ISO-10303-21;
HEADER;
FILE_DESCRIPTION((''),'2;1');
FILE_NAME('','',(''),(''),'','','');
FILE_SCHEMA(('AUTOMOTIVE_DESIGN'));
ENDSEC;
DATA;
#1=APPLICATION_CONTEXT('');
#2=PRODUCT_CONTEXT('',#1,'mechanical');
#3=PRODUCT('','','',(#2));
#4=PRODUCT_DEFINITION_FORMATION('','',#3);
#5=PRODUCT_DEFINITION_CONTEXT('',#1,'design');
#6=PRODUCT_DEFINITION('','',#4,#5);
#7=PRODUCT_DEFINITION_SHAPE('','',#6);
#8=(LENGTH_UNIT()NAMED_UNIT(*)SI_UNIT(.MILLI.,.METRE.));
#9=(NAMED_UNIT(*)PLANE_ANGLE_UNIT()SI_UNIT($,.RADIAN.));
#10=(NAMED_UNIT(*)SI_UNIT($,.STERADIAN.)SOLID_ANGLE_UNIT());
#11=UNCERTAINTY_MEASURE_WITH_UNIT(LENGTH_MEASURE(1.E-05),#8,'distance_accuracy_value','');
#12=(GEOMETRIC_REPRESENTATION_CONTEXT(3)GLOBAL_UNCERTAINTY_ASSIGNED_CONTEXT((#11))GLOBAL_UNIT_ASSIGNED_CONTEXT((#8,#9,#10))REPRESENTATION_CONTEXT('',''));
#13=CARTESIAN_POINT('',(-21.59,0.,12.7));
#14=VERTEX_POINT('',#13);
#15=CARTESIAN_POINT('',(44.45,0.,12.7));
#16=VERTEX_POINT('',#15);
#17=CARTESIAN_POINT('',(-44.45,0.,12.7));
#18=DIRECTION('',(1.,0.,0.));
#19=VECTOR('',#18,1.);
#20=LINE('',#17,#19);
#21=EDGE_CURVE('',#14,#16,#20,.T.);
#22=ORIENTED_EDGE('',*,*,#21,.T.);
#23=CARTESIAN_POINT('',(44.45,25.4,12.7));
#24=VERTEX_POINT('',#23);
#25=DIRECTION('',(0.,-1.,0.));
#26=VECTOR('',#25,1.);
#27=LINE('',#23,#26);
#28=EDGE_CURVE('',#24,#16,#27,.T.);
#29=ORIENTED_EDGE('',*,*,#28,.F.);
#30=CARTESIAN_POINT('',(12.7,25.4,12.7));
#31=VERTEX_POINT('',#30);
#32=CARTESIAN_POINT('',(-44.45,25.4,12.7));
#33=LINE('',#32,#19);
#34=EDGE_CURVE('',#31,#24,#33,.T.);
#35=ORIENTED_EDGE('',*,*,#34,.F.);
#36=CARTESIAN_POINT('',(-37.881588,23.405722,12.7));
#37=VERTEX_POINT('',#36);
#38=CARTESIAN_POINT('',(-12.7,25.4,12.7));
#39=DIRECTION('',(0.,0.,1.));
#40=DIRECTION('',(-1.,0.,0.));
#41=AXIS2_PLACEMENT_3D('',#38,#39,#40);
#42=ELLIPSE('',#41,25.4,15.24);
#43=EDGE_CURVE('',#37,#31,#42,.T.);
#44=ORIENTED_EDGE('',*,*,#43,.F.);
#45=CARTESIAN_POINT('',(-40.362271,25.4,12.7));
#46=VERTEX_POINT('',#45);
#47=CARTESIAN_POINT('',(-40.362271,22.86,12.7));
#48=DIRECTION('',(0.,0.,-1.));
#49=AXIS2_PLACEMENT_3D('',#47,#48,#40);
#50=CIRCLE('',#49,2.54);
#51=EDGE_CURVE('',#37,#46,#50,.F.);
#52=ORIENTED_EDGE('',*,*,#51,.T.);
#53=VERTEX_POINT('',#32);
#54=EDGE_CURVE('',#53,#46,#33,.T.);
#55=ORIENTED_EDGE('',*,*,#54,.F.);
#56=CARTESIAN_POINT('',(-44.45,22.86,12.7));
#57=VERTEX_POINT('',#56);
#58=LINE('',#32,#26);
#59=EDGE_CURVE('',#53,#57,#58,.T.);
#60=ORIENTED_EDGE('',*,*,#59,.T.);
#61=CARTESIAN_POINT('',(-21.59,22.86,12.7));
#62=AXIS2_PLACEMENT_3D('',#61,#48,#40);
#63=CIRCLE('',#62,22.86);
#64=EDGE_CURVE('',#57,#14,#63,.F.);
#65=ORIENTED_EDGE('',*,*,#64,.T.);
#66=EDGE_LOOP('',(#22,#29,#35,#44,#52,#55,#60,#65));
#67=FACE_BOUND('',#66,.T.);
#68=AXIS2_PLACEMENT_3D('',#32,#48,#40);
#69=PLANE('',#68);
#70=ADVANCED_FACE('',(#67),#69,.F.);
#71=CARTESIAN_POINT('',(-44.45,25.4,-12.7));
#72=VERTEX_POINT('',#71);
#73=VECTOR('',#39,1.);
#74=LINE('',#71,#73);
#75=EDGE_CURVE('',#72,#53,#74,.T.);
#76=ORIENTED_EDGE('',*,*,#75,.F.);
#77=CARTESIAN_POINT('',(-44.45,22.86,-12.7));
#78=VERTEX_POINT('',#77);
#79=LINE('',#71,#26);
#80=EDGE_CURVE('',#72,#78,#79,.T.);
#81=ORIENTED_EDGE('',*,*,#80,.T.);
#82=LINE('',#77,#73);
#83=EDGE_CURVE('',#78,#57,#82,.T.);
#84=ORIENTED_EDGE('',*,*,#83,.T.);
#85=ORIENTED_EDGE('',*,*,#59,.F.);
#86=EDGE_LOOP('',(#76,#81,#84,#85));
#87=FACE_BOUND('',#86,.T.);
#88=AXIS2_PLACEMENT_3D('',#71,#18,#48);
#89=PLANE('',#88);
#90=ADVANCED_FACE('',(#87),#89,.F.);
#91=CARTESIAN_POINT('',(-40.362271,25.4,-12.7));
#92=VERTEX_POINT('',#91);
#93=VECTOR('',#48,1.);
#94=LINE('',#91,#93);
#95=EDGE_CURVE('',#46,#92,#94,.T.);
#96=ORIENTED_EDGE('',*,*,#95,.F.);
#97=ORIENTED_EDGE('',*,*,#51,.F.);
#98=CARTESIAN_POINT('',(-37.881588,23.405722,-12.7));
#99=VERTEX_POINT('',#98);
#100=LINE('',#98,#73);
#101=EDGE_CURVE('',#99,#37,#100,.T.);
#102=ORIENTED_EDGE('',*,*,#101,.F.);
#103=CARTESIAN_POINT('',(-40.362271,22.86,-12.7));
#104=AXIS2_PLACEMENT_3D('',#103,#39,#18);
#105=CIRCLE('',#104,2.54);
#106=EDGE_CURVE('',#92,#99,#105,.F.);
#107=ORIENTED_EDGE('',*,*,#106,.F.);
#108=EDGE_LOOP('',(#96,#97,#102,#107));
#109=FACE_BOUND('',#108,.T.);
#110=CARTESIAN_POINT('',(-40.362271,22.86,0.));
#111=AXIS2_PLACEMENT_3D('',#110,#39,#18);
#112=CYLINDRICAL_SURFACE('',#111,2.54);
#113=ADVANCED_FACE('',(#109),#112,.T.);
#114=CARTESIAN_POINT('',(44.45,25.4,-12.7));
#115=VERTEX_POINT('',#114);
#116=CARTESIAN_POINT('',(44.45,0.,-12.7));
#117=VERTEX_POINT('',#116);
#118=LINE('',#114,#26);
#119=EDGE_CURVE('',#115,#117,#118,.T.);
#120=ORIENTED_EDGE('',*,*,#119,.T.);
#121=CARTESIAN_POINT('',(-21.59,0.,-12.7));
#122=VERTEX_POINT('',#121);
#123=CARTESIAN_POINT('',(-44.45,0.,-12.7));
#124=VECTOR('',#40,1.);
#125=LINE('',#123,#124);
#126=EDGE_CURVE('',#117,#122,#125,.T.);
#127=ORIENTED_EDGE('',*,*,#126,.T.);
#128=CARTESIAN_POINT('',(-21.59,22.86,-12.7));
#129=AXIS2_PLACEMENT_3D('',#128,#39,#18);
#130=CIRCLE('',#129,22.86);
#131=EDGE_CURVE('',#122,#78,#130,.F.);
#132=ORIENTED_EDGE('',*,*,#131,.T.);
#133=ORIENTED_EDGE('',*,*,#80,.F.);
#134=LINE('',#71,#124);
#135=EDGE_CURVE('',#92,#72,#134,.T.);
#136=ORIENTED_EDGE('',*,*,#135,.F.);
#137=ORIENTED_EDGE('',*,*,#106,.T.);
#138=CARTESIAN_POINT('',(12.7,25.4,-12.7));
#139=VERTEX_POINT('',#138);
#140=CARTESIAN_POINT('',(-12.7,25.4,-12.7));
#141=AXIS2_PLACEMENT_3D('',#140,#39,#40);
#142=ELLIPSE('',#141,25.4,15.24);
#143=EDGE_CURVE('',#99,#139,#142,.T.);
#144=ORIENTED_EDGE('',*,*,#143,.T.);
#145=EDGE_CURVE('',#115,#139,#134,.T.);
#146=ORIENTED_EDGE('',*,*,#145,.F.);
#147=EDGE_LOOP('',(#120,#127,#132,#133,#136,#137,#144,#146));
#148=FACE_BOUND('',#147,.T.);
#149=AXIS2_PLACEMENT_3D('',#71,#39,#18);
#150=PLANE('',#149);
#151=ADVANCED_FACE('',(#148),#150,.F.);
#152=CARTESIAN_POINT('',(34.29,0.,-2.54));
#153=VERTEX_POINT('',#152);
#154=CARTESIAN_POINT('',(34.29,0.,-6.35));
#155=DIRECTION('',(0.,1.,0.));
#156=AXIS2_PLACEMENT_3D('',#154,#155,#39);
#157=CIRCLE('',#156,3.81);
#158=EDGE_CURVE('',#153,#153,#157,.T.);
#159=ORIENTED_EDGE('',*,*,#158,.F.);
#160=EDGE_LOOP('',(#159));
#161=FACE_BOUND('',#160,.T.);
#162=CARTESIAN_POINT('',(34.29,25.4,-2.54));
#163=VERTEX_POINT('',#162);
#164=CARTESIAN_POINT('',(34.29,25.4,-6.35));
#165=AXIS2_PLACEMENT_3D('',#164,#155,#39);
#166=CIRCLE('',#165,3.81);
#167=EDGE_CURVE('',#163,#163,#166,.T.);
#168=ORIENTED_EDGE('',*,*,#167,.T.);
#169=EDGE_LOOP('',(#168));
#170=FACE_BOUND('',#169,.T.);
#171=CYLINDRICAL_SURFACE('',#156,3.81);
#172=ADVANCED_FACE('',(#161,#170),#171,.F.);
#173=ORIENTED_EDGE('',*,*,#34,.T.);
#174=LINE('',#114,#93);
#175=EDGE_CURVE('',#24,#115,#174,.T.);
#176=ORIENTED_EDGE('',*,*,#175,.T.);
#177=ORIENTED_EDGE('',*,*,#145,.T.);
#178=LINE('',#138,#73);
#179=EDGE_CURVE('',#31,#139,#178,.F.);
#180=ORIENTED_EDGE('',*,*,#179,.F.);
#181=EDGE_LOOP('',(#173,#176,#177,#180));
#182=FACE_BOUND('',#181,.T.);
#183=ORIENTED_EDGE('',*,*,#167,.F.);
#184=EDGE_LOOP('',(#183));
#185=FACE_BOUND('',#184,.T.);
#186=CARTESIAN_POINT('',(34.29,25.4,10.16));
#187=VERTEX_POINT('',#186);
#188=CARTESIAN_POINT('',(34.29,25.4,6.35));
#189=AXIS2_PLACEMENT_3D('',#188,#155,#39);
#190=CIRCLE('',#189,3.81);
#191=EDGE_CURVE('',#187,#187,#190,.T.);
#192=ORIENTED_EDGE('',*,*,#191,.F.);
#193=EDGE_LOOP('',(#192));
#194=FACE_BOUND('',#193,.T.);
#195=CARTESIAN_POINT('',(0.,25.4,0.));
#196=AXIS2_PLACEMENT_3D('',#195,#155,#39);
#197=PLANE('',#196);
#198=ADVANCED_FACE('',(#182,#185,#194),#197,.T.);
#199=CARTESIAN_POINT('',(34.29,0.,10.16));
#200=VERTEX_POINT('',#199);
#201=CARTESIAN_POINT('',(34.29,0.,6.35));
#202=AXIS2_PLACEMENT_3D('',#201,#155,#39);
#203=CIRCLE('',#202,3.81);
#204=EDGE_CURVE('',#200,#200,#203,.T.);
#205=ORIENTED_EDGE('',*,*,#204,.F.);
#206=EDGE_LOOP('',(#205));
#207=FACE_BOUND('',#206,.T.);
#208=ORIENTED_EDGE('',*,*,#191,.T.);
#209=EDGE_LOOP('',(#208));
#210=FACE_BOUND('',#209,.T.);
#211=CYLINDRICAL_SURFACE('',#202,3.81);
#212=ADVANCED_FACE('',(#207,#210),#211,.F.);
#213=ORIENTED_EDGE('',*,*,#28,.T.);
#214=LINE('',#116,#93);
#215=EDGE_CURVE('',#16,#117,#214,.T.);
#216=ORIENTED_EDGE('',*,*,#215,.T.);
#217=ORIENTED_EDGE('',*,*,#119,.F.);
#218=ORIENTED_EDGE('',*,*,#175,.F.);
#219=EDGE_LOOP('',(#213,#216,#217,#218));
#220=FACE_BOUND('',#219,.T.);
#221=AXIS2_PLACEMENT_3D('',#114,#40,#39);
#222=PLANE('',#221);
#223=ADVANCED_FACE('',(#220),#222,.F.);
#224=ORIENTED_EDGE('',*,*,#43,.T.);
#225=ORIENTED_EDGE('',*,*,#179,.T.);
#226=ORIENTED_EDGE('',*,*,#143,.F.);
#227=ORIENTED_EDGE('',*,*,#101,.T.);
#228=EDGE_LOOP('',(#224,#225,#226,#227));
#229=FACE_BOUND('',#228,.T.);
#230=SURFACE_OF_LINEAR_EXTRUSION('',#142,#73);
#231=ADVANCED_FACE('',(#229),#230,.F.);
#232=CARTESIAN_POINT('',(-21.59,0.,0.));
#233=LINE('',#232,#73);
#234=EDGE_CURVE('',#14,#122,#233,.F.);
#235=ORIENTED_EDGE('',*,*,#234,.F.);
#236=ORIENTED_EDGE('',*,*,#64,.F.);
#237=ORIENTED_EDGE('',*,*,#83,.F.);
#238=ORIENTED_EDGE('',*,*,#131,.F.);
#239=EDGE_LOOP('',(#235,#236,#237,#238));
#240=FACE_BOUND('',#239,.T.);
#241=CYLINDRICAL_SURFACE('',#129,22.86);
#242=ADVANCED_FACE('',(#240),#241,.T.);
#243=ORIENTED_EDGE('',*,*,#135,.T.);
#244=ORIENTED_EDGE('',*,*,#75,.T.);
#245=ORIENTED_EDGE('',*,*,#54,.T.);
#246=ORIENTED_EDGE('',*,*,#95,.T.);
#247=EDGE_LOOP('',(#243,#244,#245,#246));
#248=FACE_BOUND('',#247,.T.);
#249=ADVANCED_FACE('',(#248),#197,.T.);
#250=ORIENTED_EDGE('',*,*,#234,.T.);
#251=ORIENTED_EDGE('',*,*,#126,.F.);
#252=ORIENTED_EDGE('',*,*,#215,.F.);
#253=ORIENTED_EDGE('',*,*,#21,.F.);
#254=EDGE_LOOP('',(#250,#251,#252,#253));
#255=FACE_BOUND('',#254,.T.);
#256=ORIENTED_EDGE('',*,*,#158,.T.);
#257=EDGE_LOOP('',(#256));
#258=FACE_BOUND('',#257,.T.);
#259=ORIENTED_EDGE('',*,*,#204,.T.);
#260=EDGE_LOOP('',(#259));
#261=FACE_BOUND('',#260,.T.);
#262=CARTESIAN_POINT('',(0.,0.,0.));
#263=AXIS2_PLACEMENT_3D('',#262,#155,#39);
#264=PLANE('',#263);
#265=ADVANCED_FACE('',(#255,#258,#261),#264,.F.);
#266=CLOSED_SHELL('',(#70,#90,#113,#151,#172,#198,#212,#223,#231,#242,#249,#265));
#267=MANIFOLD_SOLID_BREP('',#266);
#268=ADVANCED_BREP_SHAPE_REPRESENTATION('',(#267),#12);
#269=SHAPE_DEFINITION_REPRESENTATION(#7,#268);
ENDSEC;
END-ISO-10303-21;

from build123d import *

# Parameters (mm, degrees)
SKETCH1_W           = 88.9
SKETCH1_H           = 25.4
BOSS_EXTRUDE1_DEPTH = 25.4
SKETCH2_RX          = 25.4
SKETCH2_RY          = 15.24
CUT_EXTRUDE1_DEPTH  = 58.15
FILLET1_R           = 2.54
SKETCH5_R           = 3.81
CUT_EXTRUDE2_DEPTH  = 53.747061686
FILLET2_R           = 22.86


with BuildPart() as part:
    # Sketch1 → Boss-Extrude1 (new body)
    with BuildSketch(Plane(origin=(0, 0, 0), x_dir=(1, 0, 0), z_dir=(0, 1, 0))):
        Rectangle(SKETCH1_W, SKETCH1_H)
    extrude(amount=BOSS_EXTRUDE1_DEPTH)

    # Sketch2 → Cut-Extrude1 (cut, through all)
    with BuildSketch(Plane.XY.offset(12.7)):
        with Locations(Location((-12.7, 25.4), (0, 0, 180))):
            Ellipse(SKETCH2_RX, SKETCH2_RY)
    extrude(amount=-CUT_EXTRUDE1_DEPTH, mode=Mode.SUBTRACT)

    # Fillet1
    fillet1_edges = [part.edges().sort_by_distance(p)[0] for p in [
        (-38.1, 25.4, 0),
    ]]
    fillet(fillet1_edges, radius=FILLET1_R)

    # Sketch5 → Cut-Extrude2 (cut, through all)
    with BuildSketch(Plane(origin=(0, 25.4, 0), x_dir=(1, 0, 0), z_dir=(0, 1, 0))):
        with Locations(Location((34.29, 6.35, 0), (0, 0, 270))):
            Circle(SKETCH5_R)
        with Locations(Location((34.29, -6.35, 0), (0, 0, 270))):
            Circle(SKETCH5_R)
    extrude(amount=-CUT_EXTRUDE2_DEPTH, mode=Mode.SUBTRACT)

    # Fillet2
    fillet2_edges = [part.edges().sort_by_distance(p)[0] for p in [
        (-44.45, 0, 0),
    ]]
    fillet(fillet2_edges, radius=FILLET2_R)


solid = part.part
